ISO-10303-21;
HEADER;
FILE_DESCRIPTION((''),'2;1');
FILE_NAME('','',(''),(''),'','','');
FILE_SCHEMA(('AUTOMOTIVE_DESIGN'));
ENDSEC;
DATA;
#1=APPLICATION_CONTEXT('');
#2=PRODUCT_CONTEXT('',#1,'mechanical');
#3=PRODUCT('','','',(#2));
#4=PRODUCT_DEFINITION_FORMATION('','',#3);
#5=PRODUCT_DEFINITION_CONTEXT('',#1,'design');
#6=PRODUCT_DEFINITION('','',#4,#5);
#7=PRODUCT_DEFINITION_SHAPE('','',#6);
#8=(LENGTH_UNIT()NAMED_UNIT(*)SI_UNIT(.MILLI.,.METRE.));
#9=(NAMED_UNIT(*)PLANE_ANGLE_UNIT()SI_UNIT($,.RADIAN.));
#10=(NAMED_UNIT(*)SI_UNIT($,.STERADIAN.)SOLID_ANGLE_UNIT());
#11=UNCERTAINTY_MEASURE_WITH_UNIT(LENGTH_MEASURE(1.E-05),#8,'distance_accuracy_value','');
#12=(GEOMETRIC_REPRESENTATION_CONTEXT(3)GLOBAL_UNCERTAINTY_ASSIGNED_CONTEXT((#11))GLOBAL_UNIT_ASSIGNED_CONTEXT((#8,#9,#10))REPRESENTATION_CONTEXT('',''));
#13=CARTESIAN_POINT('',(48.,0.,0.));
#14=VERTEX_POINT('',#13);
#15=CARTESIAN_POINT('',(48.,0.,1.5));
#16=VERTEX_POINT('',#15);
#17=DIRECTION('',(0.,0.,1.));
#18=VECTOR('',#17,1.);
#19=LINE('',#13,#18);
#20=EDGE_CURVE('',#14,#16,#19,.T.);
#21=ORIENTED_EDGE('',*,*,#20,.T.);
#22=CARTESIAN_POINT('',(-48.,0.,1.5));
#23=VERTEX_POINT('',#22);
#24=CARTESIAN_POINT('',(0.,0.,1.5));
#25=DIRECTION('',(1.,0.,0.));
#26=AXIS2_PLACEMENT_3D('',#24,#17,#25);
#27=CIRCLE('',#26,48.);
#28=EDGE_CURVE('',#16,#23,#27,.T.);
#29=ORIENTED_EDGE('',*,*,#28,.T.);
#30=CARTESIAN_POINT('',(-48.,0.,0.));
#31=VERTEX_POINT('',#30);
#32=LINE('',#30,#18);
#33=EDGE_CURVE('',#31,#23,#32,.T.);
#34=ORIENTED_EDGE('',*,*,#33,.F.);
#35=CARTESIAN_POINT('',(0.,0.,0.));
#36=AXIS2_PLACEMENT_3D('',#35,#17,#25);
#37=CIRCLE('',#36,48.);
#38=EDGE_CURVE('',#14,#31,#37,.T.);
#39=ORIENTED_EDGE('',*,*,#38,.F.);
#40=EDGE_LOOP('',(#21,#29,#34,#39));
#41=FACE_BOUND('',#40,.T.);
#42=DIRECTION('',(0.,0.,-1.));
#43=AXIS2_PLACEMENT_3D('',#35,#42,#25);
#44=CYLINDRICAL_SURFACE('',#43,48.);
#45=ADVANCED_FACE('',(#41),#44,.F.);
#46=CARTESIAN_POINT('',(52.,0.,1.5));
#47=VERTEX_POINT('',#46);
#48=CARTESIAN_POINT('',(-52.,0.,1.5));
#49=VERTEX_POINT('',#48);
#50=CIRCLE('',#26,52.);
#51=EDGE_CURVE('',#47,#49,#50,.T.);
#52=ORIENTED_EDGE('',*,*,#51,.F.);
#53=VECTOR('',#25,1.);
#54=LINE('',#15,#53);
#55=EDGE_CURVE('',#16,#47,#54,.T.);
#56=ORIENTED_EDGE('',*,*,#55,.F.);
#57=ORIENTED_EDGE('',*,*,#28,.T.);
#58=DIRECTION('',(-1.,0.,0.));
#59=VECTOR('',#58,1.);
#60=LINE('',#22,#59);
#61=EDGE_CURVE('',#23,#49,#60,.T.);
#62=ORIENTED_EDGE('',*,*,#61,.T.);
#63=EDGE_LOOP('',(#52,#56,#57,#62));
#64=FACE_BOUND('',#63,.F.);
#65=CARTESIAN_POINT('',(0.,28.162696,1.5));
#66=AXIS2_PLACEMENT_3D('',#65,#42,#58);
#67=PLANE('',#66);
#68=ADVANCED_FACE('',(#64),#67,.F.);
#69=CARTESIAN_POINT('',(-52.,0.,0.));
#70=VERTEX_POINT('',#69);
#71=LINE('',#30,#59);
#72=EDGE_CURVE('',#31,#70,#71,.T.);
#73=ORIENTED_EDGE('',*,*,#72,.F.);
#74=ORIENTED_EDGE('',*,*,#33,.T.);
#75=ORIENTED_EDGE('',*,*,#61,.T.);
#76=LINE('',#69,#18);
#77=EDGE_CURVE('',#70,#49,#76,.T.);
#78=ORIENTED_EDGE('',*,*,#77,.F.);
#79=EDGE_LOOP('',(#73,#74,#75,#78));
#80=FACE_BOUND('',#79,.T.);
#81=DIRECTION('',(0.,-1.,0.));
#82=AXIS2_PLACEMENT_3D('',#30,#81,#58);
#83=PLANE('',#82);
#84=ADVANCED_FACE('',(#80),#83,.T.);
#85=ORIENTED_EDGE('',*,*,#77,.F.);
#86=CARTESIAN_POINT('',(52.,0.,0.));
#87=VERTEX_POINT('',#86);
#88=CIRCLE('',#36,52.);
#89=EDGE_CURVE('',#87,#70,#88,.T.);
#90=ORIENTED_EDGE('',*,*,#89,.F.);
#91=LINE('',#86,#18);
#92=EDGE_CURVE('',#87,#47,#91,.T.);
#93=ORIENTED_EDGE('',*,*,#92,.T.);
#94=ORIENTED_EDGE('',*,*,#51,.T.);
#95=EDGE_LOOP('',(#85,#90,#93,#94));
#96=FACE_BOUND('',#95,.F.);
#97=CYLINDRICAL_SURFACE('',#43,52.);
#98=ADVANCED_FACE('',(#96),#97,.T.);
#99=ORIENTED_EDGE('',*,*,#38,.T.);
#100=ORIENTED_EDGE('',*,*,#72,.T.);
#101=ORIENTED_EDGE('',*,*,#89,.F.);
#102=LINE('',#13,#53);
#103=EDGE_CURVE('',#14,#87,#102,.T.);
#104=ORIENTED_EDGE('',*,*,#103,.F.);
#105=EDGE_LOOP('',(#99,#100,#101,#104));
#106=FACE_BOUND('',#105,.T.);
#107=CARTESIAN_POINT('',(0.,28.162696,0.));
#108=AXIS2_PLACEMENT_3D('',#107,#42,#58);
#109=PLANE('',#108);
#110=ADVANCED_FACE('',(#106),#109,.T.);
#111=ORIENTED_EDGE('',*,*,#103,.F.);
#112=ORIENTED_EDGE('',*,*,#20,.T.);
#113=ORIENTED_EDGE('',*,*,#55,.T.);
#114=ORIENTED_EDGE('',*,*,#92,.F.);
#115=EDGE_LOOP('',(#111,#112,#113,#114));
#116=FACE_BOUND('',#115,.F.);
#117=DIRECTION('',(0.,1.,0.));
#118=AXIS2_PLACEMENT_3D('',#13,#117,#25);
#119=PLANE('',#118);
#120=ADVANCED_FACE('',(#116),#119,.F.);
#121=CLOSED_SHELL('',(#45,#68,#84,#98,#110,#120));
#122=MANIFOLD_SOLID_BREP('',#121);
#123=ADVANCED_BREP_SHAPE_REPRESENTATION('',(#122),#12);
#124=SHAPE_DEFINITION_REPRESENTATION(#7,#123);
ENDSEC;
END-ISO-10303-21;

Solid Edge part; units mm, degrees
sketch "Sketch1" plane through (0, 0, 0) normal (0, 0, 1) x (1, 0, 0)
  arc A0 (48, 0) -> (-48, 0) centre (0, 0) ccw
  line L0 (-48, 0) -> (-52, 0)
  arc A1 (52, 0) -> (-52, 0) centre (0, 0) ccw
  line L1 (48, 0) -> (52, 0)
extrude "Protrusion1" add sketch "Sketch1" along normal blind 1.5
